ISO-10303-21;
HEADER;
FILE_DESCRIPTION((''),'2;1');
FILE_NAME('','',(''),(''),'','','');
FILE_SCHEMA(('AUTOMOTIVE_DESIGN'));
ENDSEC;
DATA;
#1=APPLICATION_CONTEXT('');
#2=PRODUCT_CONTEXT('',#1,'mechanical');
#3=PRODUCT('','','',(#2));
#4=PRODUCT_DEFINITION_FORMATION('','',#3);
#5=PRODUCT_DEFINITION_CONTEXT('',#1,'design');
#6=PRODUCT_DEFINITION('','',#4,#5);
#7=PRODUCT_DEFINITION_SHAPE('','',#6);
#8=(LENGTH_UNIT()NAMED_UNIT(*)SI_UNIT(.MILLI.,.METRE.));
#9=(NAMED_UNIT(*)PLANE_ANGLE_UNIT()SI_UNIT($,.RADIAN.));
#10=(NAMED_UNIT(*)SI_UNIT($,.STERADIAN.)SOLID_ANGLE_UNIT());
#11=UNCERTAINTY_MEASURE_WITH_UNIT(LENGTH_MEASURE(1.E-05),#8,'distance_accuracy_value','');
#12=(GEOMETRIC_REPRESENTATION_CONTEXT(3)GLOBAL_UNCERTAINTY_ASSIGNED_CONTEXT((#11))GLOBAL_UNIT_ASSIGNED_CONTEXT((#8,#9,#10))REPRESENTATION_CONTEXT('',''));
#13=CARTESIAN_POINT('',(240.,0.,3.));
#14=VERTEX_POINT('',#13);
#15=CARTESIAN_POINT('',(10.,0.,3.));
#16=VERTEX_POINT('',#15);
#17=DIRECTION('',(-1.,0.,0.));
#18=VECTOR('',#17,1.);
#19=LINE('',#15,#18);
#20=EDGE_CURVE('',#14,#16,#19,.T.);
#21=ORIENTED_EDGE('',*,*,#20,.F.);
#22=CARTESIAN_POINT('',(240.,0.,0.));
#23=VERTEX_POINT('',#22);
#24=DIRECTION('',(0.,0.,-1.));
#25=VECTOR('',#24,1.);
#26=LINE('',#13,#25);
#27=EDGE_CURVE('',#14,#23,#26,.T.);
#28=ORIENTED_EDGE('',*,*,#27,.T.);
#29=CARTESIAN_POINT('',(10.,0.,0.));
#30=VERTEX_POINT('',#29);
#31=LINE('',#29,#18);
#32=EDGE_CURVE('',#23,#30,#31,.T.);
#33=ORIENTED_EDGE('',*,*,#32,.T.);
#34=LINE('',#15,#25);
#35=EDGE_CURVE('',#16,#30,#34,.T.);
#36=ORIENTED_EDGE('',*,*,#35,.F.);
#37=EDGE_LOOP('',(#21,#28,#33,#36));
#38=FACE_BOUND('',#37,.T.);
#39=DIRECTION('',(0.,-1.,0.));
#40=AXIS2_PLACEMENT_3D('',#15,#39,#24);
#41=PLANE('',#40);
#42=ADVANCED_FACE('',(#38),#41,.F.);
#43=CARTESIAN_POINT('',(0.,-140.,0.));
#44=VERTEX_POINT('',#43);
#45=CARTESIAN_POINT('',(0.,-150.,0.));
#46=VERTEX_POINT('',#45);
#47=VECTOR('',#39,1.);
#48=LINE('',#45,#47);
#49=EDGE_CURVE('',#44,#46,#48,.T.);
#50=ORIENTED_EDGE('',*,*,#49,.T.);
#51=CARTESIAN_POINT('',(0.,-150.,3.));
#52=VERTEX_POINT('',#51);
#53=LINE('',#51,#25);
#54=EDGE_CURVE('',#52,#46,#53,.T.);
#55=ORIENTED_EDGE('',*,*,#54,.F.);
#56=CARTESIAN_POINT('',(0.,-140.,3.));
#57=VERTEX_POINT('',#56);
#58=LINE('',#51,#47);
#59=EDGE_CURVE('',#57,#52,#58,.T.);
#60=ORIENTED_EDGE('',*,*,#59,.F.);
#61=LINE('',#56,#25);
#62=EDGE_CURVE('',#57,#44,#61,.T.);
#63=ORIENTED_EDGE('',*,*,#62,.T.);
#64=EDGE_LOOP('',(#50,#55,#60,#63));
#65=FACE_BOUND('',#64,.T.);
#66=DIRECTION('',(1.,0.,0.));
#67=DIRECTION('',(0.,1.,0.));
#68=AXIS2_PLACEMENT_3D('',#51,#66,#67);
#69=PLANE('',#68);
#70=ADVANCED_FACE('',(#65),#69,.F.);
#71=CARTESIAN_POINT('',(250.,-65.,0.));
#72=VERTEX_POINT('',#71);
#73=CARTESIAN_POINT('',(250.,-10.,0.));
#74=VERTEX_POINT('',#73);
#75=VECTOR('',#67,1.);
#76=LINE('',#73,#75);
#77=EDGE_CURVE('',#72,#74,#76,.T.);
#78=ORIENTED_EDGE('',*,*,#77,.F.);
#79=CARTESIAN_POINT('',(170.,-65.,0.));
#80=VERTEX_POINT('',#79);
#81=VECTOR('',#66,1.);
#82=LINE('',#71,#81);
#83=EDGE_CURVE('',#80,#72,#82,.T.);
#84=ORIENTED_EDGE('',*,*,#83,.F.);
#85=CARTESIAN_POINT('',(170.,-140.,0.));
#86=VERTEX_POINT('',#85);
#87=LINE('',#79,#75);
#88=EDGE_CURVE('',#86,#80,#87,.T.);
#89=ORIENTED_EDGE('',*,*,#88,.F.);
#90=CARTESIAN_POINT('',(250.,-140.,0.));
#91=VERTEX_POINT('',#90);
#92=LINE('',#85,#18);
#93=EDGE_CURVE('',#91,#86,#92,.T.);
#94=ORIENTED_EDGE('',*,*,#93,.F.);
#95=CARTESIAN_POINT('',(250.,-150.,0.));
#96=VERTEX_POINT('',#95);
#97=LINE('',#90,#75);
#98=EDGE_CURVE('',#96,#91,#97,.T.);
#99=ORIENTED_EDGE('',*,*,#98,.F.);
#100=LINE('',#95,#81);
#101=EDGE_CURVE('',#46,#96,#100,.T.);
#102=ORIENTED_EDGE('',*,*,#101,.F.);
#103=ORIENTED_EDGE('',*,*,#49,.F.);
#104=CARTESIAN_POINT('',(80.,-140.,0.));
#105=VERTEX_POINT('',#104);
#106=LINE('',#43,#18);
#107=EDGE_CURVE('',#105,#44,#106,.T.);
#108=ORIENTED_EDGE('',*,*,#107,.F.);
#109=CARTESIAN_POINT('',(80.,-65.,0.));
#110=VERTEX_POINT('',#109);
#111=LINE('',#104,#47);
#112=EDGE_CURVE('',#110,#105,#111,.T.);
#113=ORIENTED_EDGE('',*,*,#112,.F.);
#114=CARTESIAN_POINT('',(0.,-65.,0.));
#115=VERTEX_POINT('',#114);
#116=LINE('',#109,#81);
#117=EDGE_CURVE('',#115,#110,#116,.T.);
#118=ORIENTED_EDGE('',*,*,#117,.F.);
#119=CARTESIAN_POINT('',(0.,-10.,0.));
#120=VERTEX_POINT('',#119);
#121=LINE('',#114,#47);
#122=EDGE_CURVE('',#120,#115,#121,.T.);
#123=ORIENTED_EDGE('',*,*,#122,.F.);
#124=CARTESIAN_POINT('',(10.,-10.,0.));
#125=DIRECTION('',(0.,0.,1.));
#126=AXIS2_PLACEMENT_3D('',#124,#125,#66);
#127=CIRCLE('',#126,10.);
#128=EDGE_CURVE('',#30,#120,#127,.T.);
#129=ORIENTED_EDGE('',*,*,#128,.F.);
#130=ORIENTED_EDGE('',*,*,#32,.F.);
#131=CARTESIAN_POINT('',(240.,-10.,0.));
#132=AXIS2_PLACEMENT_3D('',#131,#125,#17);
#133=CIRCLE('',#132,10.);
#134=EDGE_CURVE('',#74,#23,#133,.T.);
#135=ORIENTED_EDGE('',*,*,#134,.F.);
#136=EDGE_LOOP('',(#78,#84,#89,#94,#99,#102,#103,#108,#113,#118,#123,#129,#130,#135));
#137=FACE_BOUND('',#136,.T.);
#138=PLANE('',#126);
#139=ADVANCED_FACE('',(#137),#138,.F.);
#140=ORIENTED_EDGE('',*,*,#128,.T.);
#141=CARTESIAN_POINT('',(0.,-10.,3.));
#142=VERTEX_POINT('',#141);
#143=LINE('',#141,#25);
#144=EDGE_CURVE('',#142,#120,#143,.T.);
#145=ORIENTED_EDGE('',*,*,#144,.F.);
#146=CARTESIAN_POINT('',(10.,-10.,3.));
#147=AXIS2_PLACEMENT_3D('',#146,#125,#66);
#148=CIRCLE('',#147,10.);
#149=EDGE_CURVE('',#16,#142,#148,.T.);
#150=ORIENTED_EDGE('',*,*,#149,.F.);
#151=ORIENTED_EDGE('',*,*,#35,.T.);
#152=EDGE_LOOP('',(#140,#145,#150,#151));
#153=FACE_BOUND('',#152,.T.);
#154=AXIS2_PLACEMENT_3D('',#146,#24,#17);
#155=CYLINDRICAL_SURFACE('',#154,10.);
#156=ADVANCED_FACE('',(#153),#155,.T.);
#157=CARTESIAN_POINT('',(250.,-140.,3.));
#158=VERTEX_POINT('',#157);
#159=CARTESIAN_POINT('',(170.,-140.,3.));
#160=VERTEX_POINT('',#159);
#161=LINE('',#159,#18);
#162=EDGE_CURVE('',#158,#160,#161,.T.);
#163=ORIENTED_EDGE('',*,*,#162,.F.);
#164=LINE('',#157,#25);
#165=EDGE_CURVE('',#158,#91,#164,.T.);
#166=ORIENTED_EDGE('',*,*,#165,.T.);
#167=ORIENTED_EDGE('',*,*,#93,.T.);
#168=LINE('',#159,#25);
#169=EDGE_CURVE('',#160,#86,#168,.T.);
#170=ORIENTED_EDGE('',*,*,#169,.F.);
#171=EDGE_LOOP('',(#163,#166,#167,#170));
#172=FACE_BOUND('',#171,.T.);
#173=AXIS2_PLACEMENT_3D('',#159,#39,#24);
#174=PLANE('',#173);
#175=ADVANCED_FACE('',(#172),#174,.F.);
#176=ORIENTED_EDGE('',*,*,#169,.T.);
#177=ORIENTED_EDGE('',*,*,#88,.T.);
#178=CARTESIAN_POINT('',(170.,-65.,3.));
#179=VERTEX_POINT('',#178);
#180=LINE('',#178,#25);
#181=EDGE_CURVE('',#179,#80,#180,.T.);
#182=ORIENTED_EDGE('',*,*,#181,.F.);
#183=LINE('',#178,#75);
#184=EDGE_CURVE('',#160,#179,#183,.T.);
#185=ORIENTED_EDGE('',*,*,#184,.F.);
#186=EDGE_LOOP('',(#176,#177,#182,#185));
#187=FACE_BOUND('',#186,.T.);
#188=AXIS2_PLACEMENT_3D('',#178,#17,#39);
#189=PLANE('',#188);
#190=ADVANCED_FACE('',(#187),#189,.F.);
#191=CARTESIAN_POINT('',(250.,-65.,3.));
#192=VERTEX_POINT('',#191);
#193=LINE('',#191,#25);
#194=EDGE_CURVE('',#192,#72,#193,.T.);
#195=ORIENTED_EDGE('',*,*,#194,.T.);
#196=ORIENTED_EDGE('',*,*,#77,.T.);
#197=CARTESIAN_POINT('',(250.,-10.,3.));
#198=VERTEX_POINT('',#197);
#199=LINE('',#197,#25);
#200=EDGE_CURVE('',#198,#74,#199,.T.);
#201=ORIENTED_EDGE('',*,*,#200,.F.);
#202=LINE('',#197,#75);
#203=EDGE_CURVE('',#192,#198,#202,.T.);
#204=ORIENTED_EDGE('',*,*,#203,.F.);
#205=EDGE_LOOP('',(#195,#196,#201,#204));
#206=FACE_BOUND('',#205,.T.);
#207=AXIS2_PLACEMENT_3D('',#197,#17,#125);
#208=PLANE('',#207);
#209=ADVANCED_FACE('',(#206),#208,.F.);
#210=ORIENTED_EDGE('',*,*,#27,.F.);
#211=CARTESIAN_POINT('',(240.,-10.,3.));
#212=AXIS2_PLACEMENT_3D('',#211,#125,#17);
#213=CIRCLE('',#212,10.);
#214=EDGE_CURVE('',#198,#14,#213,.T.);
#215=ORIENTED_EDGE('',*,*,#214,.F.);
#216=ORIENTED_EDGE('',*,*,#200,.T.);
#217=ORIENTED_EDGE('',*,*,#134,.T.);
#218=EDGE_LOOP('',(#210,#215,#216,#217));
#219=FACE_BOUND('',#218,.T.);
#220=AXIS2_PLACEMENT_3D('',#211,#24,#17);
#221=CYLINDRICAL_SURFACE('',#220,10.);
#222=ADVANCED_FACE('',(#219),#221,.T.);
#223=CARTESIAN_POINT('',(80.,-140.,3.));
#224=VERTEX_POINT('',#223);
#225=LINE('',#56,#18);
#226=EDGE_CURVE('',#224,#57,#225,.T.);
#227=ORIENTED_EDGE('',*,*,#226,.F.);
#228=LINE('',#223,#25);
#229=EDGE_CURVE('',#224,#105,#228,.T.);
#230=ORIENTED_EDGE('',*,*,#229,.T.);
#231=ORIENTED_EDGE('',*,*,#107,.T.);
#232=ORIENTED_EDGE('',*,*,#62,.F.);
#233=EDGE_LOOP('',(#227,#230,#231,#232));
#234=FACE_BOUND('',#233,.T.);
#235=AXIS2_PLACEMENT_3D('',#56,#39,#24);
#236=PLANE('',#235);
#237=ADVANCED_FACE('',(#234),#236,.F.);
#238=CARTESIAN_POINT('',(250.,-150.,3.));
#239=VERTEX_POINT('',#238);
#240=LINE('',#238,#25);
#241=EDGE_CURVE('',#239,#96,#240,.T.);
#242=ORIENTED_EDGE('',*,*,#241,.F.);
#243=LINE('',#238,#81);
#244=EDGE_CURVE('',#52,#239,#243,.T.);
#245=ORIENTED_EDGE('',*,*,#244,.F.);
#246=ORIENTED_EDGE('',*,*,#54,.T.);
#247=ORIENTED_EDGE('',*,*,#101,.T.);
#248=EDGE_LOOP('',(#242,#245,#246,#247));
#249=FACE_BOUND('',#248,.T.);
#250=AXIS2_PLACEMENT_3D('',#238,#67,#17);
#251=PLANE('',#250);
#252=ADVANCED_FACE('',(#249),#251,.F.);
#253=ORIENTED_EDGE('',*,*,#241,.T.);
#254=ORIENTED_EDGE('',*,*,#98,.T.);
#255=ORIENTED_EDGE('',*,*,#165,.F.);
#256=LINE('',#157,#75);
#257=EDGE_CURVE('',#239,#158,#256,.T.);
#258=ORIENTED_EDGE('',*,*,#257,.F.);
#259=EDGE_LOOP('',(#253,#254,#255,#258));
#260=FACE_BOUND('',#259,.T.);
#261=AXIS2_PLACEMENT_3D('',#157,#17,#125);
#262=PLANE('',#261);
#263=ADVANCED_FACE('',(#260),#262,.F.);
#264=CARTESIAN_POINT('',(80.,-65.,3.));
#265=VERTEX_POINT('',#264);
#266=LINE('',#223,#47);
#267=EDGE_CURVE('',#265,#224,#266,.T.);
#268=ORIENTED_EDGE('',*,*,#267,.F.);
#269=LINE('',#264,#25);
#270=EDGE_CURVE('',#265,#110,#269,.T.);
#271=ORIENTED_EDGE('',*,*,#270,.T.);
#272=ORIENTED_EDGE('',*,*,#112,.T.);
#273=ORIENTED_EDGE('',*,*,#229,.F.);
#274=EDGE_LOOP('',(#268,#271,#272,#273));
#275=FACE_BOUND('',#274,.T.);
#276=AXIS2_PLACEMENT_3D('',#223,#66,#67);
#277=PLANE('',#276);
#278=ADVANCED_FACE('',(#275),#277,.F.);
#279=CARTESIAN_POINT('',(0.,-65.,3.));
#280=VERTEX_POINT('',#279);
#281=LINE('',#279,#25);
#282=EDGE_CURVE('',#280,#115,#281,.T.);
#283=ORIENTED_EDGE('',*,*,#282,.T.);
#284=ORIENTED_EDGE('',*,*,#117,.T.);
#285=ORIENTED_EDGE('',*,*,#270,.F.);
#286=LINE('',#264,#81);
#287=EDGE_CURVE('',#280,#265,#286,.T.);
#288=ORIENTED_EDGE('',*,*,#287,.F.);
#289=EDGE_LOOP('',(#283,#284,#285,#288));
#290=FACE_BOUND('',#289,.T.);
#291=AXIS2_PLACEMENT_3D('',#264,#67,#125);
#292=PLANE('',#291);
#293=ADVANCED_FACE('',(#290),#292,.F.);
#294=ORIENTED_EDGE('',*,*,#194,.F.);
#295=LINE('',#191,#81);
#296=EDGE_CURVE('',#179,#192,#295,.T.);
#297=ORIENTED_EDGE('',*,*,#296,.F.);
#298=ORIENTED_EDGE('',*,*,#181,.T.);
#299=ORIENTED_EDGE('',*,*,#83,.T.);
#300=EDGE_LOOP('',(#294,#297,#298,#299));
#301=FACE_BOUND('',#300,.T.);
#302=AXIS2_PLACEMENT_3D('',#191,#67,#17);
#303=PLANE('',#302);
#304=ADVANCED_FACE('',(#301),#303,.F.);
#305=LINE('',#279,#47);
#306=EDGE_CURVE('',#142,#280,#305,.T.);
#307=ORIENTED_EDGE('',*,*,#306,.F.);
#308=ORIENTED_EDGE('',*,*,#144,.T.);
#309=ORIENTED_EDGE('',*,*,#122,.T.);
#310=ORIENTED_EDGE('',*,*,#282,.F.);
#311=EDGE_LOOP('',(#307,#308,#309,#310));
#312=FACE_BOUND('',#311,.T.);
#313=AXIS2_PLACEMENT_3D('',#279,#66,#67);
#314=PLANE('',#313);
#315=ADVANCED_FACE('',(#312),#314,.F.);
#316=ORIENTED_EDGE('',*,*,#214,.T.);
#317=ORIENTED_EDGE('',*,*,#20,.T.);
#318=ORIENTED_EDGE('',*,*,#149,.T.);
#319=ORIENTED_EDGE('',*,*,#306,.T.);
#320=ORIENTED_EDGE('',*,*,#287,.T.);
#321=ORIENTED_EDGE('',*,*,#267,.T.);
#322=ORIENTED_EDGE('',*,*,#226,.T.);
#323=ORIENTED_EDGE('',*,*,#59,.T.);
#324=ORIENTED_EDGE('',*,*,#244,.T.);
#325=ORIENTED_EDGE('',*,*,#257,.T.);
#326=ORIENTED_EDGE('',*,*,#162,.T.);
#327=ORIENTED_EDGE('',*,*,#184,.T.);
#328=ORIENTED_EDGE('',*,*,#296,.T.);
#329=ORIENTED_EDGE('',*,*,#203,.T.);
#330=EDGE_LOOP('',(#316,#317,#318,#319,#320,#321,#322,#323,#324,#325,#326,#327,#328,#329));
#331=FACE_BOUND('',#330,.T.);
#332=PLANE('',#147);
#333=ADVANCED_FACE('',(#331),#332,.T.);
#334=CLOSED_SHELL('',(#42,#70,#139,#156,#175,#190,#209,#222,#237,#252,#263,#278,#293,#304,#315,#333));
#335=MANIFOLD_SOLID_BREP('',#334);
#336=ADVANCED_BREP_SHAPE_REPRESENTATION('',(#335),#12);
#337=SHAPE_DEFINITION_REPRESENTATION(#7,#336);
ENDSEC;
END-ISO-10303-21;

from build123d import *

# Parameters (mm, degrees)
BOSS_EXTRUDE1_DEPTH = 3


with BuildPart() as part:
    # Sketch1 → Boss-Extrude1 (new body)
    with BuildSketch(Plane.XY):
        with BuildLine():
            Line((10, 0), (240, 0))
            ThreePointArc((240, 0), (247.071067812, -2.928932188), (250, -10))
            Line((250, -10), (250, -65))
            Line((250, -65), (170, -65))
            Line((170, -65), (170, -140))
            Line((170, -140), (250, -140))
            Line((250, -140), (250, -150))
            Line((250, -150), (0, -150))
            Line((0, -150), (0, -140))
            Line((0, -140), (80, -140))
            Line((80, -140), (80, -65))
            Line((80, -65), (0, -65))
            Line((0, -65), (0, -10))
            ThreePointArc((0, -10), (2.928932188, -2.928932188), (10, 0))
        make_face()
    extrude(amount=BOSS_EXTRUDE1_DEPTH)


solid = part.part
